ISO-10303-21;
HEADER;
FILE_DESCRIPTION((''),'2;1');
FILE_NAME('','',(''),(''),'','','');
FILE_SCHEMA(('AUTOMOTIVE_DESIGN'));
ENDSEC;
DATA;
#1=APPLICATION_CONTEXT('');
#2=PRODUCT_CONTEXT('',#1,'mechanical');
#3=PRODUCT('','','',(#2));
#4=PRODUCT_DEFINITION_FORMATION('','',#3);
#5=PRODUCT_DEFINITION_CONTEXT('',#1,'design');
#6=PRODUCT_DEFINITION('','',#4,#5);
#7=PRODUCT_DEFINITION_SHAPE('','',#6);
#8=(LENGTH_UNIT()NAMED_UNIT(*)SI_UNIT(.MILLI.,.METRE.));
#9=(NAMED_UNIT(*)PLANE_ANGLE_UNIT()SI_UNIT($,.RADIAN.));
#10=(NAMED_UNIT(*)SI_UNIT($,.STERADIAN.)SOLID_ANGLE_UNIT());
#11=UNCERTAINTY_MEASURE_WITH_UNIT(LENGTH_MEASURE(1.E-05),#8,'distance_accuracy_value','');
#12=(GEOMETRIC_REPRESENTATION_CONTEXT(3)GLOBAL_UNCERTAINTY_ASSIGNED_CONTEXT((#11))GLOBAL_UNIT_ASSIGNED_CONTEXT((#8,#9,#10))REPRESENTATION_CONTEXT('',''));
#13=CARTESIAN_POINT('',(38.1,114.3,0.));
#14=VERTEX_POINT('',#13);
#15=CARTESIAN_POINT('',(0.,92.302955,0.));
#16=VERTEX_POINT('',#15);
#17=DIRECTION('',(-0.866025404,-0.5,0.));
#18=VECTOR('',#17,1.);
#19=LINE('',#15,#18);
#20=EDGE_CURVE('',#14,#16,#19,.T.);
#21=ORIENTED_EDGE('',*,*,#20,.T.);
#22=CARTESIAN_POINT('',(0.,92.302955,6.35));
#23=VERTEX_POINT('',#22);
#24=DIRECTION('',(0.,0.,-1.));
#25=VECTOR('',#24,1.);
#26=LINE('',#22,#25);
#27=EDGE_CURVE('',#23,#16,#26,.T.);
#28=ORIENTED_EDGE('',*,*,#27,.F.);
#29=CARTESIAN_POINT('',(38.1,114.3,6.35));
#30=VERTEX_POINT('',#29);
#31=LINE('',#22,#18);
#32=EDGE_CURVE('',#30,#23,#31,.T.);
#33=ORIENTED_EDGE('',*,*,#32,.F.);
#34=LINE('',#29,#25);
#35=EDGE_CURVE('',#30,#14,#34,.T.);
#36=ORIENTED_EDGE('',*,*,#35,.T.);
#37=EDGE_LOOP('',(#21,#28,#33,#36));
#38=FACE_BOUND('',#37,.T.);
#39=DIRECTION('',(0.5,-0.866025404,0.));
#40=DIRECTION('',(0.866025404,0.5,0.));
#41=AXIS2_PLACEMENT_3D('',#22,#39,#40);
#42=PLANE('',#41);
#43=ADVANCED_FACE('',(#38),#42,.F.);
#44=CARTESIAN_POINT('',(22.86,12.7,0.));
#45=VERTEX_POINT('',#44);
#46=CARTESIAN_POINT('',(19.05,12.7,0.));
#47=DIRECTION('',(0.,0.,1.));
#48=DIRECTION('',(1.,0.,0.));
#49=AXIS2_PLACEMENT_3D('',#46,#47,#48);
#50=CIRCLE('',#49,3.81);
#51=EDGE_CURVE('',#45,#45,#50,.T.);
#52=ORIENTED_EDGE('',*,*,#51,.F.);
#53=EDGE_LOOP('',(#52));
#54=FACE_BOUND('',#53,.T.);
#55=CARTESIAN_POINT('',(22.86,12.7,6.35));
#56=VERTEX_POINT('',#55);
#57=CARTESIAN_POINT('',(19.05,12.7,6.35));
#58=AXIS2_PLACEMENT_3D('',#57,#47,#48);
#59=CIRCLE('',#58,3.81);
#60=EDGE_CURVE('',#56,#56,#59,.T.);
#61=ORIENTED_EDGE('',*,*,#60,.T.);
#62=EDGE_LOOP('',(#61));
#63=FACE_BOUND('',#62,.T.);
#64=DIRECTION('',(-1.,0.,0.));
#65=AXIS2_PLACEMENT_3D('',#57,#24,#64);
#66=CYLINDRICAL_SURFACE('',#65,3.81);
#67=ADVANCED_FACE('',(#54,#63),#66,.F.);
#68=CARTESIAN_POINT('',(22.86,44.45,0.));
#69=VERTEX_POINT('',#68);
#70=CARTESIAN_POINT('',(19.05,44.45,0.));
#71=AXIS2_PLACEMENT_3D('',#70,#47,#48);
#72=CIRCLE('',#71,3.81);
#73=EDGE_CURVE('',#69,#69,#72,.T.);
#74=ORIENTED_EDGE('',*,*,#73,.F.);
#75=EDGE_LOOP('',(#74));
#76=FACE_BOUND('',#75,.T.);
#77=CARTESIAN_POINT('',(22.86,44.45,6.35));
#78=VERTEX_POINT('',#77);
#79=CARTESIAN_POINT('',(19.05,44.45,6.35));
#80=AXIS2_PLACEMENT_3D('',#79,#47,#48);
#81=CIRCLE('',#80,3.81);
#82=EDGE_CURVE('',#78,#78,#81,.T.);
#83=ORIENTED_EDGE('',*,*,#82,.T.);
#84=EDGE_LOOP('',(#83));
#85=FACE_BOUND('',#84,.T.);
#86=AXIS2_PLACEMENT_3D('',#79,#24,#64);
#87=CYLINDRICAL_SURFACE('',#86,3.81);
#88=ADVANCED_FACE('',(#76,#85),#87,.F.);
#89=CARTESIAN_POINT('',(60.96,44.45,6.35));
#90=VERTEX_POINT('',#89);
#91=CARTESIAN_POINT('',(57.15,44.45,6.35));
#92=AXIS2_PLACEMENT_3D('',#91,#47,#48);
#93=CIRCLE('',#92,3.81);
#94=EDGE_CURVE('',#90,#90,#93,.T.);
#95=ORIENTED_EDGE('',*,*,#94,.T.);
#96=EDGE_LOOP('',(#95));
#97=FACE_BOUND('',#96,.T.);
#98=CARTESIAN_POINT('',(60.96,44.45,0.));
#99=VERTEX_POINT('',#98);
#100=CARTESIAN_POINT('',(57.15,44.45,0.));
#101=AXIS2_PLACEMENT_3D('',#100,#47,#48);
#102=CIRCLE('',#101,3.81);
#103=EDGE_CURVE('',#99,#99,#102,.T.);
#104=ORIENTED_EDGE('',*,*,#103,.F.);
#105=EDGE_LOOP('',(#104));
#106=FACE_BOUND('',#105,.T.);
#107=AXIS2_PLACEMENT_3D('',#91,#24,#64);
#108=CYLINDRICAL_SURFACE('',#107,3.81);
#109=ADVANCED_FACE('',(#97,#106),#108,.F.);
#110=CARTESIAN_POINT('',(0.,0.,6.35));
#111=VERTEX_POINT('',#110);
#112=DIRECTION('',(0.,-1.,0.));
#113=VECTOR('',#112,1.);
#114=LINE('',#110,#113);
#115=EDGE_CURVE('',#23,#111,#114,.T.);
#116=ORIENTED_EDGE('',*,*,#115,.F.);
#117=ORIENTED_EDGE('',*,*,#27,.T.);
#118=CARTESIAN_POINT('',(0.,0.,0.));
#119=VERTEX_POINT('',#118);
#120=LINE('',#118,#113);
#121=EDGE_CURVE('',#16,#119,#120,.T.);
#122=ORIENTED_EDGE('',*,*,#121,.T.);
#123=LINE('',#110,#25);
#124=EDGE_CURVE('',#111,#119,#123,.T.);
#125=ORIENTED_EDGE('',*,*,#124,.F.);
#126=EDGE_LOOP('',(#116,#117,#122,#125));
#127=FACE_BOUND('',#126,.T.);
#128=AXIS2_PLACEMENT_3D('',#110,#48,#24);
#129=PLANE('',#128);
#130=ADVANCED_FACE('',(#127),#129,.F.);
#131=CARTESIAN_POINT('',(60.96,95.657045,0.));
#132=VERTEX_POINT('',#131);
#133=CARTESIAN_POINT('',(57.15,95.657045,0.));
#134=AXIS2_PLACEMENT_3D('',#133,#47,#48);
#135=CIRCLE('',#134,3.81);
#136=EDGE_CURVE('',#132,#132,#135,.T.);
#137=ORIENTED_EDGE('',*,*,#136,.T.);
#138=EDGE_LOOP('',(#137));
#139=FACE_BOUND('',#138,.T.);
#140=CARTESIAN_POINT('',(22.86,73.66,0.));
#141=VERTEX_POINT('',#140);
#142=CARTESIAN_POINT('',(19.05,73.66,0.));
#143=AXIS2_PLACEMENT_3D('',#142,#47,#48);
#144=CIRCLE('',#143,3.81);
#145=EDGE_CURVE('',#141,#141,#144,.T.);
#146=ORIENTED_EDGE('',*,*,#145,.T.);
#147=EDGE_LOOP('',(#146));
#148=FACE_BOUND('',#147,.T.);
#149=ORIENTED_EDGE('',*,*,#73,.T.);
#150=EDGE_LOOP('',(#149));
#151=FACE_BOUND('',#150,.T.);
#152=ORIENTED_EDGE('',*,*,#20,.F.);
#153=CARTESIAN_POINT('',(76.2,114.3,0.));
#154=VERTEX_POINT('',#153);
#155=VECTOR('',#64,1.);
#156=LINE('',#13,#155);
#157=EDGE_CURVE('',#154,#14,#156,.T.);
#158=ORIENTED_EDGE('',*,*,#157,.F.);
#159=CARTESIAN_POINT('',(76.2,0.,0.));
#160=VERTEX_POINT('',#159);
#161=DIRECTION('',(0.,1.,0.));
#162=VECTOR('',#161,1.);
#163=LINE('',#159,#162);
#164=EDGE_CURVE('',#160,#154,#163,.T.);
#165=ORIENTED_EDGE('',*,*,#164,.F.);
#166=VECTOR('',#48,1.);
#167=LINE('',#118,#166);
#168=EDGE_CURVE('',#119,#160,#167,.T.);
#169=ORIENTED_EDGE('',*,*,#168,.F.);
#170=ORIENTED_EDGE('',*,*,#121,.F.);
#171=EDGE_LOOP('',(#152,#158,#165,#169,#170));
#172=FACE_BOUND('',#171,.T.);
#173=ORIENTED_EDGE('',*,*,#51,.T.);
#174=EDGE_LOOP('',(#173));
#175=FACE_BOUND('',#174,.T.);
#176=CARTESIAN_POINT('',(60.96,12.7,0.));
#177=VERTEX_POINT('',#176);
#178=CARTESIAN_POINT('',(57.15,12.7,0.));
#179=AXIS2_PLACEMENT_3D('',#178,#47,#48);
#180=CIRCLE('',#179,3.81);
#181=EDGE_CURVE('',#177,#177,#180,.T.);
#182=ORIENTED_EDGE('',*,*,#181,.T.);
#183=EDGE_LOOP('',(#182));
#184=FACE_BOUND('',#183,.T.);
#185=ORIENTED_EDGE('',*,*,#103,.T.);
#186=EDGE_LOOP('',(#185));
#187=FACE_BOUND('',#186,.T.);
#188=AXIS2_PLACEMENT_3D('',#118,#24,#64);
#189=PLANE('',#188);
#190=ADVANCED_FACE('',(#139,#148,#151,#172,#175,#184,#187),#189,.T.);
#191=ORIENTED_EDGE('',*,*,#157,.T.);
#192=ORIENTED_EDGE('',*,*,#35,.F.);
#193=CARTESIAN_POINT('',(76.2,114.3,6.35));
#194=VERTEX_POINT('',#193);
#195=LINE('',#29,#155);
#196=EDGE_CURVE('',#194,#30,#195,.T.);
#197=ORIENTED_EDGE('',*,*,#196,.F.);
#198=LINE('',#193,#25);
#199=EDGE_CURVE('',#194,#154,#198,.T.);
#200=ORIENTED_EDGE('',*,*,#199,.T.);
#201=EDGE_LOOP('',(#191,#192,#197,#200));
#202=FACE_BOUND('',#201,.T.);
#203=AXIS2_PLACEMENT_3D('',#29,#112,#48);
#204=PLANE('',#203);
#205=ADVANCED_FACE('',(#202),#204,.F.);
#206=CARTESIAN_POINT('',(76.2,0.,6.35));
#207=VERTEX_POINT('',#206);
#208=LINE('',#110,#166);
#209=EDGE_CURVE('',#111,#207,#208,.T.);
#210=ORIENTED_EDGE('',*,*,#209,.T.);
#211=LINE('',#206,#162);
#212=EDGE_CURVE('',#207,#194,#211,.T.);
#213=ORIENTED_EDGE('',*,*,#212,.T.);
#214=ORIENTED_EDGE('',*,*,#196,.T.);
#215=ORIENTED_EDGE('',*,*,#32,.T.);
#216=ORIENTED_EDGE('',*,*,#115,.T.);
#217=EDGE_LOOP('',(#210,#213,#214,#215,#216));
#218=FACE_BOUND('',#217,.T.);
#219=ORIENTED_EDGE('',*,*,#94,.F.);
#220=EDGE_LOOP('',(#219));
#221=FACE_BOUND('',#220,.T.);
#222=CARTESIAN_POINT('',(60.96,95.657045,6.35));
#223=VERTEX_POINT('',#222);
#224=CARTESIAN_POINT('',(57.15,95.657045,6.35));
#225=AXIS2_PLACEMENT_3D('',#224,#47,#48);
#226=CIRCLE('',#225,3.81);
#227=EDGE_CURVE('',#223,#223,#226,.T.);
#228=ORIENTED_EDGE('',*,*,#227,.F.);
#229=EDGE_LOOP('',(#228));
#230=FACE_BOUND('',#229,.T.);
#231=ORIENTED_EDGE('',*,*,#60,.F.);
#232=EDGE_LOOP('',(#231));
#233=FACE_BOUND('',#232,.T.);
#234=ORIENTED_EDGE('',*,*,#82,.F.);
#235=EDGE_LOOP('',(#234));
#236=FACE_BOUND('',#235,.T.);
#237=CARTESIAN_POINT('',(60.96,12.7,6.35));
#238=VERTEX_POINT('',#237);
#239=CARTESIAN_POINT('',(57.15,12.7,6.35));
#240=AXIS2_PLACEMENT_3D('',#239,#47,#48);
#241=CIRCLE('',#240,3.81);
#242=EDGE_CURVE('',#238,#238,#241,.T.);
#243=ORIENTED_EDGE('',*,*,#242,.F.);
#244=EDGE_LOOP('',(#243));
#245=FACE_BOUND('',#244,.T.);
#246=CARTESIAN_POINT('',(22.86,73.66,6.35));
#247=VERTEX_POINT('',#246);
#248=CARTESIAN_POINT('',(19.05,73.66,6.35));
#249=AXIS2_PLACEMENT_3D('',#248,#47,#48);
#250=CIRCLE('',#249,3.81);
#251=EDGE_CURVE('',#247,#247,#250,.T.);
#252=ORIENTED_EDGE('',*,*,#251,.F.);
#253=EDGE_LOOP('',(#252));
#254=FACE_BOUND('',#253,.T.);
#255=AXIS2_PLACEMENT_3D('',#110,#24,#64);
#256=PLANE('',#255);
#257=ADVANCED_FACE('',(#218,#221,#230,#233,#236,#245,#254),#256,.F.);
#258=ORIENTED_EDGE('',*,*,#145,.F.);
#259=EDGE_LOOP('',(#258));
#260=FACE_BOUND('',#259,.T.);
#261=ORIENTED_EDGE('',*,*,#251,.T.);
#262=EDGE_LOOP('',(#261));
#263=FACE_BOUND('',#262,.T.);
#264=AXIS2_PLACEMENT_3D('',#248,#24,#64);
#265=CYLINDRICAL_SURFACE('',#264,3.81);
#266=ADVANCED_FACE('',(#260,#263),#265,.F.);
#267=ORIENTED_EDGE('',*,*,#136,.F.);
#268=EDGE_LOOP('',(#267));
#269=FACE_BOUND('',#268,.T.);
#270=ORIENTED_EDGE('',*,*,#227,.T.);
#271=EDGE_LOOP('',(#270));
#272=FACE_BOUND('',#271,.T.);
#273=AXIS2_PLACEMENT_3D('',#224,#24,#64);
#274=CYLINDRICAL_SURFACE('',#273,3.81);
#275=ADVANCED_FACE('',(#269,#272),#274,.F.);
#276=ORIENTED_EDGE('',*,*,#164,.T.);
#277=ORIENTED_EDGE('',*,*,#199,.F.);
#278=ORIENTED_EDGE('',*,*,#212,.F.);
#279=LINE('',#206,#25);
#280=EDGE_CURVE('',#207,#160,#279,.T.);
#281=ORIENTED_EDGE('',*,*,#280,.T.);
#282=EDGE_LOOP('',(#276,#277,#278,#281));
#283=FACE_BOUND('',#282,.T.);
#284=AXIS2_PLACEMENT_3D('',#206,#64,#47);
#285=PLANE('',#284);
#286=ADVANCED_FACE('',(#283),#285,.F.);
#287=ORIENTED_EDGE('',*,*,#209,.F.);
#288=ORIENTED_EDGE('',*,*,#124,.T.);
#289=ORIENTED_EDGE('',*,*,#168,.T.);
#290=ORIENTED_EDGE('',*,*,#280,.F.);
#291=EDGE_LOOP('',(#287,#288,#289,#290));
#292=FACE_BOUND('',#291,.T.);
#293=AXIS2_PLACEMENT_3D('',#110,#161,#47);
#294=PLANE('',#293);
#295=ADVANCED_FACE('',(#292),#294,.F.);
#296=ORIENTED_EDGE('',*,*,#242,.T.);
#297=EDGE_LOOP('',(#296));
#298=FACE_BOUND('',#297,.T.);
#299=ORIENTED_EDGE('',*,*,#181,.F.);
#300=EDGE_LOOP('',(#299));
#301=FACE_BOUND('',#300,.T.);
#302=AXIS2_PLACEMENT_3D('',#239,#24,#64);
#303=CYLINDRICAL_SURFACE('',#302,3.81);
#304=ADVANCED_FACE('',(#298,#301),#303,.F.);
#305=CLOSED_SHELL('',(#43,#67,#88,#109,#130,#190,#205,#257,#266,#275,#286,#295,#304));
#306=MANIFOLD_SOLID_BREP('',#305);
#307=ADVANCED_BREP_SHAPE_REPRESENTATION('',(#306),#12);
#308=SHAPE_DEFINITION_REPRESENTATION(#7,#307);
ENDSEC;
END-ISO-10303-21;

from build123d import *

# Parameters (mm, degrees)
SKETCH1_R           = 3.81
BOSS_EXTRUDE1_DEPTH = 6.35


with BuildPart() as part:
    # Sketch1 → Boss-Extrude1 (new body)
    with BuildSketch(Plane.XY):
        Polygon((0, 92.302954744), (38.1, 114.3), (76.2, 114.3), (76.2, 0), (0, 0), align=None)
        with Locations((19.05, 73.66)):
            Circle(SKETCH1_R, mode=Mode.SUBTRACT)
        with Locations((57.15, 95.657045256)):
            Circle(SKETCH1_R, mode=Mode.SUBTRACT)
        with Locations((19.05, 44.45)):
            Circle(SKETCH1_R, mode=Mode.SUBTRACT)
        with Locations((19.05, 12.7)):
            Circle(SKETCH1_R, mode=Mode.SUBTRACT)
        with Locations((57.15, 44.45)):
            Circle(SKETCH1_R, mode=Mode.SUBTRACT)
        with Locations((57.15, 12.7)):
            Circle(SKETCH1_R, mode=Mode.SUBTRACT)
    extrude(amount=BOSS_EXTRUDE1_DEPTH)


solid = part.part
